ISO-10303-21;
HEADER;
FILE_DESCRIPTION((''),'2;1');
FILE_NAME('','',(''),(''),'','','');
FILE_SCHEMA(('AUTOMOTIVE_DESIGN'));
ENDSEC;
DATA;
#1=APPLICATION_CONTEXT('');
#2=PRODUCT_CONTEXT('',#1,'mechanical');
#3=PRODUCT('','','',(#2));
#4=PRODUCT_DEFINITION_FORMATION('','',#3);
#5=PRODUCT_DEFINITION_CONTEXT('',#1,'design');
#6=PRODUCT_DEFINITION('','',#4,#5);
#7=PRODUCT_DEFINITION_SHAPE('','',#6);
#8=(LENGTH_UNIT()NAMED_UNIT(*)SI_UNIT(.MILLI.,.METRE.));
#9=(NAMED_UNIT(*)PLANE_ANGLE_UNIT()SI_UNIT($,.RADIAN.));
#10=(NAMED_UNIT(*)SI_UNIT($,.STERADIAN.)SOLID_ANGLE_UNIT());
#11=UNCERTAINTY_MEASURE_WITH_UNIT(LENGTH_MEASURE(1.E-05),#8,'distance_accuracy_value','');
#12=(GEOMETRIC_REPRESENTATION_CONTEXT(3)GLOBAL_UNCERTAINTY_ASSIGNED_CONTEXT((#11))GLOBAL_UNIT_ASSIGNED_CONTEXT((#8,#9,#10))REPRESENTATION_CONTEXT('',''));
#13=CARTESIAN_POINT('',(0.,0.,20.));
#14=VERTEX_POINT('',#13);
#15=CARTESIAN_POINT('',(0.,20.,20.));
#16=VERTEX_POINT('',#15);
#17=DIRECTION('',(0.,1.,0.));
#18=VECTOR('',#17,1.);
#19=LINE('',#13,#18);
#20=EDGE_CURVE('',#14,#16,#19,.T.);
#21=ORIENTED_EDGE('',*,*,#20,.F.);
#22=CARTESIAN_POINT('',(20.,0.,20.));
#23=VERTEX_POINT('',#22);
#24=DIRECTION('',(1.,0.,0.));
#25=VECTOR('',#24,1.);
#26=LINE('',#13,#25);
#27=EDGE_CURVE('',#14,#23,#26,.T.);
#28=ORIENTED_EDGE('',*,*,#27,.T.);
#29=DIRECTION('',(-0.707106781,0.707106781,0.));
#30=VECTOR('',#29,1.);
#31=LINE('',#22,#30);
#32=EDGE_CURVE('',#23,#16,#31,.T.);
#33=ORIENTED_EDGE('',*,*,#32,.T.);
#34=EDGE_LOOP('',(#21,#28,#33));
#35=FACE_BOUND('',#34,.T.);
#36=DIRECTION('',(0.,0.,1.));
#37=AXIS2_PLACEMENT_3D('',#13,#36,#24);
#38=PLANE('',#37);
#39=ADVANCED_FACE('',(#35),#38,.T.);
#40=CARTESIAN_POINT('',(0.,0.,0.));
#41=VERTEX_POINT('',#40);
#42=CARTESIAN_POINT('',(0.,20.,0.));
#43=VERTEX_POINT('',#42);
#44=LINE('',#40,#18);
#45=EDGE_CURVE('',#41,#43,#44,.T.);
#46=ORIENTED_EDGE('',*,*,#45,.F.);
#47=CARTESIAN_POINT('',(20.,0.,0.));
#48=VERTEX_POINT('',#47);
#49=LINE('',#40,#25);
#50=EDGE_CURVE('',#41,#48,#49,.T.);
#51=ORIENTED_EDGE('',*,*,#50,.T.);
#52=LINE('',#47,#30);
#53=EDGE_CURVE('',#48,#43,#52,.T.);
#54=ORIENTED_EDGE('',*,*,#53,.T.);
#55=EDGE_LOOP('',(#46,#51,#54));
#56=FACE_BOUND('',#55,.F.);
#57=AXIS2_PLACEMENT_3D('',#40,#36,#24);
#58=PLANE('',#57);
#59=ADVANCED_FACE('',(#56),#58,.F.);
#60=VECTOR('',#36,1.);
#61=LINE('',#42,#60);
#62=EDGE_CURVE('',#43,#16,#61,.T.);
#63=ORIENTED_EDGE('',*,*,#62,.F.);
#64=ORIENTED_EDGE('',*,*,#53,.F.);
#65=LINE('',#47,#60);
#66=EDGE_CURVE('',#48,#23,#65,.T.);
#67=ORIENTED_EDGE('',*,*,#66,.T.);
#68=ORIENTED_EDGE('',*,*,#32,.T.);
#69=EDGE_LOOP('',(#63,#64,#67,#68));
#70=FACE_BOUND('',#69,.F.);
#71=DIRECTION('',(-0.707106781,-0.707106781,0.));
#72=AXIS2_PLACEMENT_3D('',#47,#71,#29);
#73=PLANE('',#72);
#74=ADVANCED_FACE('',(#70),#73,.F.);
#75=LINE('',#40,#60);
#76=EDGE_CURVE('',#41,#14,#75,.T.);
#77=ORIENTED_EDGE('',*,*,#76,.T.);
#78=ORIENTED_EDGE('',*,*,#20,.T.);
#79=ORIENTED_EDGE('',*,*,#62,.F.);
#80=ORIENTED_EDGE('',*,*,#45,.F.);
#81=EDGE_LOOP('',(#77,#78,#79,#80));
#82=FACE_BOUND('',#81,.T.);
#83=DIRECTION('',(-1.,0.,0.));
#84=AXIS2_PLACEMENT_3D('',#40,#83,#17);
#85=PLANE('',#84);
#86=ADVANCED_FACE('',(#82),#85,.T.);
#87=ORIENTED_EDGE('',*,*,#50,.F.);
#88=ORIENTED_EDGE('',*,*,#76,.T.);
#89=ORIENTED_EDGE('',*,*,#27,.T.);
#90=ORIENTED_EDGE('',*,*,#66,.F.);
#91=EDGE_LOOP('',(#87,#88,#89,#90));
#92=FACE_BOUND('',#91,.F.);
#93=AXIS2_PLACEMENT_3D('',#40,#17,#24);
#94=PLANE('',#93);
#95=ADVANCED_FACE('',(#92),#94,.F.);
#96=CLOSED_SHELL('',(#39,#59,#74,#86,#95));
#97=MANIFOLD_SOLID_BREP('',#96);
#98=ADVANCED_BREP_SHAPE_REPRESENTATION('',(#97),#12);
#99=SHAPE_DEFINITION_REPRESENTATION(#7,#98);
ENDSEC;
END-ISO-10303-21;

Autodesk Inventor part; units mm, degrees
ref_plane "YZ Plane" through (0, 0, 0) normal (1, 0, 0) x (0, 1, 0)
ref_plane "XZ Plane" through (0, 0, 0) normal (0, 1, 0) x (-1, 0, 0)
ref_plane "XY Plane" through (0, 0, 0) normal (0, 0, 1) x (1, 0, 0)
sketch "Эскиз1" plane through (0, 0, 0) normal (0, 0, 1) x (1, 0, 0)
  line L0 (0, 0) -> (0, 20)
  line L1 (0, 0) -> (20, 0)
  line L2 (20, 0) -> (0, 20)
  dimension "d1" = 20
  dimension "d2" = 20
extrude "Выдавливание1" add sketch "Эскиз1" along normal blind 20
properties part number "затычка угол"
